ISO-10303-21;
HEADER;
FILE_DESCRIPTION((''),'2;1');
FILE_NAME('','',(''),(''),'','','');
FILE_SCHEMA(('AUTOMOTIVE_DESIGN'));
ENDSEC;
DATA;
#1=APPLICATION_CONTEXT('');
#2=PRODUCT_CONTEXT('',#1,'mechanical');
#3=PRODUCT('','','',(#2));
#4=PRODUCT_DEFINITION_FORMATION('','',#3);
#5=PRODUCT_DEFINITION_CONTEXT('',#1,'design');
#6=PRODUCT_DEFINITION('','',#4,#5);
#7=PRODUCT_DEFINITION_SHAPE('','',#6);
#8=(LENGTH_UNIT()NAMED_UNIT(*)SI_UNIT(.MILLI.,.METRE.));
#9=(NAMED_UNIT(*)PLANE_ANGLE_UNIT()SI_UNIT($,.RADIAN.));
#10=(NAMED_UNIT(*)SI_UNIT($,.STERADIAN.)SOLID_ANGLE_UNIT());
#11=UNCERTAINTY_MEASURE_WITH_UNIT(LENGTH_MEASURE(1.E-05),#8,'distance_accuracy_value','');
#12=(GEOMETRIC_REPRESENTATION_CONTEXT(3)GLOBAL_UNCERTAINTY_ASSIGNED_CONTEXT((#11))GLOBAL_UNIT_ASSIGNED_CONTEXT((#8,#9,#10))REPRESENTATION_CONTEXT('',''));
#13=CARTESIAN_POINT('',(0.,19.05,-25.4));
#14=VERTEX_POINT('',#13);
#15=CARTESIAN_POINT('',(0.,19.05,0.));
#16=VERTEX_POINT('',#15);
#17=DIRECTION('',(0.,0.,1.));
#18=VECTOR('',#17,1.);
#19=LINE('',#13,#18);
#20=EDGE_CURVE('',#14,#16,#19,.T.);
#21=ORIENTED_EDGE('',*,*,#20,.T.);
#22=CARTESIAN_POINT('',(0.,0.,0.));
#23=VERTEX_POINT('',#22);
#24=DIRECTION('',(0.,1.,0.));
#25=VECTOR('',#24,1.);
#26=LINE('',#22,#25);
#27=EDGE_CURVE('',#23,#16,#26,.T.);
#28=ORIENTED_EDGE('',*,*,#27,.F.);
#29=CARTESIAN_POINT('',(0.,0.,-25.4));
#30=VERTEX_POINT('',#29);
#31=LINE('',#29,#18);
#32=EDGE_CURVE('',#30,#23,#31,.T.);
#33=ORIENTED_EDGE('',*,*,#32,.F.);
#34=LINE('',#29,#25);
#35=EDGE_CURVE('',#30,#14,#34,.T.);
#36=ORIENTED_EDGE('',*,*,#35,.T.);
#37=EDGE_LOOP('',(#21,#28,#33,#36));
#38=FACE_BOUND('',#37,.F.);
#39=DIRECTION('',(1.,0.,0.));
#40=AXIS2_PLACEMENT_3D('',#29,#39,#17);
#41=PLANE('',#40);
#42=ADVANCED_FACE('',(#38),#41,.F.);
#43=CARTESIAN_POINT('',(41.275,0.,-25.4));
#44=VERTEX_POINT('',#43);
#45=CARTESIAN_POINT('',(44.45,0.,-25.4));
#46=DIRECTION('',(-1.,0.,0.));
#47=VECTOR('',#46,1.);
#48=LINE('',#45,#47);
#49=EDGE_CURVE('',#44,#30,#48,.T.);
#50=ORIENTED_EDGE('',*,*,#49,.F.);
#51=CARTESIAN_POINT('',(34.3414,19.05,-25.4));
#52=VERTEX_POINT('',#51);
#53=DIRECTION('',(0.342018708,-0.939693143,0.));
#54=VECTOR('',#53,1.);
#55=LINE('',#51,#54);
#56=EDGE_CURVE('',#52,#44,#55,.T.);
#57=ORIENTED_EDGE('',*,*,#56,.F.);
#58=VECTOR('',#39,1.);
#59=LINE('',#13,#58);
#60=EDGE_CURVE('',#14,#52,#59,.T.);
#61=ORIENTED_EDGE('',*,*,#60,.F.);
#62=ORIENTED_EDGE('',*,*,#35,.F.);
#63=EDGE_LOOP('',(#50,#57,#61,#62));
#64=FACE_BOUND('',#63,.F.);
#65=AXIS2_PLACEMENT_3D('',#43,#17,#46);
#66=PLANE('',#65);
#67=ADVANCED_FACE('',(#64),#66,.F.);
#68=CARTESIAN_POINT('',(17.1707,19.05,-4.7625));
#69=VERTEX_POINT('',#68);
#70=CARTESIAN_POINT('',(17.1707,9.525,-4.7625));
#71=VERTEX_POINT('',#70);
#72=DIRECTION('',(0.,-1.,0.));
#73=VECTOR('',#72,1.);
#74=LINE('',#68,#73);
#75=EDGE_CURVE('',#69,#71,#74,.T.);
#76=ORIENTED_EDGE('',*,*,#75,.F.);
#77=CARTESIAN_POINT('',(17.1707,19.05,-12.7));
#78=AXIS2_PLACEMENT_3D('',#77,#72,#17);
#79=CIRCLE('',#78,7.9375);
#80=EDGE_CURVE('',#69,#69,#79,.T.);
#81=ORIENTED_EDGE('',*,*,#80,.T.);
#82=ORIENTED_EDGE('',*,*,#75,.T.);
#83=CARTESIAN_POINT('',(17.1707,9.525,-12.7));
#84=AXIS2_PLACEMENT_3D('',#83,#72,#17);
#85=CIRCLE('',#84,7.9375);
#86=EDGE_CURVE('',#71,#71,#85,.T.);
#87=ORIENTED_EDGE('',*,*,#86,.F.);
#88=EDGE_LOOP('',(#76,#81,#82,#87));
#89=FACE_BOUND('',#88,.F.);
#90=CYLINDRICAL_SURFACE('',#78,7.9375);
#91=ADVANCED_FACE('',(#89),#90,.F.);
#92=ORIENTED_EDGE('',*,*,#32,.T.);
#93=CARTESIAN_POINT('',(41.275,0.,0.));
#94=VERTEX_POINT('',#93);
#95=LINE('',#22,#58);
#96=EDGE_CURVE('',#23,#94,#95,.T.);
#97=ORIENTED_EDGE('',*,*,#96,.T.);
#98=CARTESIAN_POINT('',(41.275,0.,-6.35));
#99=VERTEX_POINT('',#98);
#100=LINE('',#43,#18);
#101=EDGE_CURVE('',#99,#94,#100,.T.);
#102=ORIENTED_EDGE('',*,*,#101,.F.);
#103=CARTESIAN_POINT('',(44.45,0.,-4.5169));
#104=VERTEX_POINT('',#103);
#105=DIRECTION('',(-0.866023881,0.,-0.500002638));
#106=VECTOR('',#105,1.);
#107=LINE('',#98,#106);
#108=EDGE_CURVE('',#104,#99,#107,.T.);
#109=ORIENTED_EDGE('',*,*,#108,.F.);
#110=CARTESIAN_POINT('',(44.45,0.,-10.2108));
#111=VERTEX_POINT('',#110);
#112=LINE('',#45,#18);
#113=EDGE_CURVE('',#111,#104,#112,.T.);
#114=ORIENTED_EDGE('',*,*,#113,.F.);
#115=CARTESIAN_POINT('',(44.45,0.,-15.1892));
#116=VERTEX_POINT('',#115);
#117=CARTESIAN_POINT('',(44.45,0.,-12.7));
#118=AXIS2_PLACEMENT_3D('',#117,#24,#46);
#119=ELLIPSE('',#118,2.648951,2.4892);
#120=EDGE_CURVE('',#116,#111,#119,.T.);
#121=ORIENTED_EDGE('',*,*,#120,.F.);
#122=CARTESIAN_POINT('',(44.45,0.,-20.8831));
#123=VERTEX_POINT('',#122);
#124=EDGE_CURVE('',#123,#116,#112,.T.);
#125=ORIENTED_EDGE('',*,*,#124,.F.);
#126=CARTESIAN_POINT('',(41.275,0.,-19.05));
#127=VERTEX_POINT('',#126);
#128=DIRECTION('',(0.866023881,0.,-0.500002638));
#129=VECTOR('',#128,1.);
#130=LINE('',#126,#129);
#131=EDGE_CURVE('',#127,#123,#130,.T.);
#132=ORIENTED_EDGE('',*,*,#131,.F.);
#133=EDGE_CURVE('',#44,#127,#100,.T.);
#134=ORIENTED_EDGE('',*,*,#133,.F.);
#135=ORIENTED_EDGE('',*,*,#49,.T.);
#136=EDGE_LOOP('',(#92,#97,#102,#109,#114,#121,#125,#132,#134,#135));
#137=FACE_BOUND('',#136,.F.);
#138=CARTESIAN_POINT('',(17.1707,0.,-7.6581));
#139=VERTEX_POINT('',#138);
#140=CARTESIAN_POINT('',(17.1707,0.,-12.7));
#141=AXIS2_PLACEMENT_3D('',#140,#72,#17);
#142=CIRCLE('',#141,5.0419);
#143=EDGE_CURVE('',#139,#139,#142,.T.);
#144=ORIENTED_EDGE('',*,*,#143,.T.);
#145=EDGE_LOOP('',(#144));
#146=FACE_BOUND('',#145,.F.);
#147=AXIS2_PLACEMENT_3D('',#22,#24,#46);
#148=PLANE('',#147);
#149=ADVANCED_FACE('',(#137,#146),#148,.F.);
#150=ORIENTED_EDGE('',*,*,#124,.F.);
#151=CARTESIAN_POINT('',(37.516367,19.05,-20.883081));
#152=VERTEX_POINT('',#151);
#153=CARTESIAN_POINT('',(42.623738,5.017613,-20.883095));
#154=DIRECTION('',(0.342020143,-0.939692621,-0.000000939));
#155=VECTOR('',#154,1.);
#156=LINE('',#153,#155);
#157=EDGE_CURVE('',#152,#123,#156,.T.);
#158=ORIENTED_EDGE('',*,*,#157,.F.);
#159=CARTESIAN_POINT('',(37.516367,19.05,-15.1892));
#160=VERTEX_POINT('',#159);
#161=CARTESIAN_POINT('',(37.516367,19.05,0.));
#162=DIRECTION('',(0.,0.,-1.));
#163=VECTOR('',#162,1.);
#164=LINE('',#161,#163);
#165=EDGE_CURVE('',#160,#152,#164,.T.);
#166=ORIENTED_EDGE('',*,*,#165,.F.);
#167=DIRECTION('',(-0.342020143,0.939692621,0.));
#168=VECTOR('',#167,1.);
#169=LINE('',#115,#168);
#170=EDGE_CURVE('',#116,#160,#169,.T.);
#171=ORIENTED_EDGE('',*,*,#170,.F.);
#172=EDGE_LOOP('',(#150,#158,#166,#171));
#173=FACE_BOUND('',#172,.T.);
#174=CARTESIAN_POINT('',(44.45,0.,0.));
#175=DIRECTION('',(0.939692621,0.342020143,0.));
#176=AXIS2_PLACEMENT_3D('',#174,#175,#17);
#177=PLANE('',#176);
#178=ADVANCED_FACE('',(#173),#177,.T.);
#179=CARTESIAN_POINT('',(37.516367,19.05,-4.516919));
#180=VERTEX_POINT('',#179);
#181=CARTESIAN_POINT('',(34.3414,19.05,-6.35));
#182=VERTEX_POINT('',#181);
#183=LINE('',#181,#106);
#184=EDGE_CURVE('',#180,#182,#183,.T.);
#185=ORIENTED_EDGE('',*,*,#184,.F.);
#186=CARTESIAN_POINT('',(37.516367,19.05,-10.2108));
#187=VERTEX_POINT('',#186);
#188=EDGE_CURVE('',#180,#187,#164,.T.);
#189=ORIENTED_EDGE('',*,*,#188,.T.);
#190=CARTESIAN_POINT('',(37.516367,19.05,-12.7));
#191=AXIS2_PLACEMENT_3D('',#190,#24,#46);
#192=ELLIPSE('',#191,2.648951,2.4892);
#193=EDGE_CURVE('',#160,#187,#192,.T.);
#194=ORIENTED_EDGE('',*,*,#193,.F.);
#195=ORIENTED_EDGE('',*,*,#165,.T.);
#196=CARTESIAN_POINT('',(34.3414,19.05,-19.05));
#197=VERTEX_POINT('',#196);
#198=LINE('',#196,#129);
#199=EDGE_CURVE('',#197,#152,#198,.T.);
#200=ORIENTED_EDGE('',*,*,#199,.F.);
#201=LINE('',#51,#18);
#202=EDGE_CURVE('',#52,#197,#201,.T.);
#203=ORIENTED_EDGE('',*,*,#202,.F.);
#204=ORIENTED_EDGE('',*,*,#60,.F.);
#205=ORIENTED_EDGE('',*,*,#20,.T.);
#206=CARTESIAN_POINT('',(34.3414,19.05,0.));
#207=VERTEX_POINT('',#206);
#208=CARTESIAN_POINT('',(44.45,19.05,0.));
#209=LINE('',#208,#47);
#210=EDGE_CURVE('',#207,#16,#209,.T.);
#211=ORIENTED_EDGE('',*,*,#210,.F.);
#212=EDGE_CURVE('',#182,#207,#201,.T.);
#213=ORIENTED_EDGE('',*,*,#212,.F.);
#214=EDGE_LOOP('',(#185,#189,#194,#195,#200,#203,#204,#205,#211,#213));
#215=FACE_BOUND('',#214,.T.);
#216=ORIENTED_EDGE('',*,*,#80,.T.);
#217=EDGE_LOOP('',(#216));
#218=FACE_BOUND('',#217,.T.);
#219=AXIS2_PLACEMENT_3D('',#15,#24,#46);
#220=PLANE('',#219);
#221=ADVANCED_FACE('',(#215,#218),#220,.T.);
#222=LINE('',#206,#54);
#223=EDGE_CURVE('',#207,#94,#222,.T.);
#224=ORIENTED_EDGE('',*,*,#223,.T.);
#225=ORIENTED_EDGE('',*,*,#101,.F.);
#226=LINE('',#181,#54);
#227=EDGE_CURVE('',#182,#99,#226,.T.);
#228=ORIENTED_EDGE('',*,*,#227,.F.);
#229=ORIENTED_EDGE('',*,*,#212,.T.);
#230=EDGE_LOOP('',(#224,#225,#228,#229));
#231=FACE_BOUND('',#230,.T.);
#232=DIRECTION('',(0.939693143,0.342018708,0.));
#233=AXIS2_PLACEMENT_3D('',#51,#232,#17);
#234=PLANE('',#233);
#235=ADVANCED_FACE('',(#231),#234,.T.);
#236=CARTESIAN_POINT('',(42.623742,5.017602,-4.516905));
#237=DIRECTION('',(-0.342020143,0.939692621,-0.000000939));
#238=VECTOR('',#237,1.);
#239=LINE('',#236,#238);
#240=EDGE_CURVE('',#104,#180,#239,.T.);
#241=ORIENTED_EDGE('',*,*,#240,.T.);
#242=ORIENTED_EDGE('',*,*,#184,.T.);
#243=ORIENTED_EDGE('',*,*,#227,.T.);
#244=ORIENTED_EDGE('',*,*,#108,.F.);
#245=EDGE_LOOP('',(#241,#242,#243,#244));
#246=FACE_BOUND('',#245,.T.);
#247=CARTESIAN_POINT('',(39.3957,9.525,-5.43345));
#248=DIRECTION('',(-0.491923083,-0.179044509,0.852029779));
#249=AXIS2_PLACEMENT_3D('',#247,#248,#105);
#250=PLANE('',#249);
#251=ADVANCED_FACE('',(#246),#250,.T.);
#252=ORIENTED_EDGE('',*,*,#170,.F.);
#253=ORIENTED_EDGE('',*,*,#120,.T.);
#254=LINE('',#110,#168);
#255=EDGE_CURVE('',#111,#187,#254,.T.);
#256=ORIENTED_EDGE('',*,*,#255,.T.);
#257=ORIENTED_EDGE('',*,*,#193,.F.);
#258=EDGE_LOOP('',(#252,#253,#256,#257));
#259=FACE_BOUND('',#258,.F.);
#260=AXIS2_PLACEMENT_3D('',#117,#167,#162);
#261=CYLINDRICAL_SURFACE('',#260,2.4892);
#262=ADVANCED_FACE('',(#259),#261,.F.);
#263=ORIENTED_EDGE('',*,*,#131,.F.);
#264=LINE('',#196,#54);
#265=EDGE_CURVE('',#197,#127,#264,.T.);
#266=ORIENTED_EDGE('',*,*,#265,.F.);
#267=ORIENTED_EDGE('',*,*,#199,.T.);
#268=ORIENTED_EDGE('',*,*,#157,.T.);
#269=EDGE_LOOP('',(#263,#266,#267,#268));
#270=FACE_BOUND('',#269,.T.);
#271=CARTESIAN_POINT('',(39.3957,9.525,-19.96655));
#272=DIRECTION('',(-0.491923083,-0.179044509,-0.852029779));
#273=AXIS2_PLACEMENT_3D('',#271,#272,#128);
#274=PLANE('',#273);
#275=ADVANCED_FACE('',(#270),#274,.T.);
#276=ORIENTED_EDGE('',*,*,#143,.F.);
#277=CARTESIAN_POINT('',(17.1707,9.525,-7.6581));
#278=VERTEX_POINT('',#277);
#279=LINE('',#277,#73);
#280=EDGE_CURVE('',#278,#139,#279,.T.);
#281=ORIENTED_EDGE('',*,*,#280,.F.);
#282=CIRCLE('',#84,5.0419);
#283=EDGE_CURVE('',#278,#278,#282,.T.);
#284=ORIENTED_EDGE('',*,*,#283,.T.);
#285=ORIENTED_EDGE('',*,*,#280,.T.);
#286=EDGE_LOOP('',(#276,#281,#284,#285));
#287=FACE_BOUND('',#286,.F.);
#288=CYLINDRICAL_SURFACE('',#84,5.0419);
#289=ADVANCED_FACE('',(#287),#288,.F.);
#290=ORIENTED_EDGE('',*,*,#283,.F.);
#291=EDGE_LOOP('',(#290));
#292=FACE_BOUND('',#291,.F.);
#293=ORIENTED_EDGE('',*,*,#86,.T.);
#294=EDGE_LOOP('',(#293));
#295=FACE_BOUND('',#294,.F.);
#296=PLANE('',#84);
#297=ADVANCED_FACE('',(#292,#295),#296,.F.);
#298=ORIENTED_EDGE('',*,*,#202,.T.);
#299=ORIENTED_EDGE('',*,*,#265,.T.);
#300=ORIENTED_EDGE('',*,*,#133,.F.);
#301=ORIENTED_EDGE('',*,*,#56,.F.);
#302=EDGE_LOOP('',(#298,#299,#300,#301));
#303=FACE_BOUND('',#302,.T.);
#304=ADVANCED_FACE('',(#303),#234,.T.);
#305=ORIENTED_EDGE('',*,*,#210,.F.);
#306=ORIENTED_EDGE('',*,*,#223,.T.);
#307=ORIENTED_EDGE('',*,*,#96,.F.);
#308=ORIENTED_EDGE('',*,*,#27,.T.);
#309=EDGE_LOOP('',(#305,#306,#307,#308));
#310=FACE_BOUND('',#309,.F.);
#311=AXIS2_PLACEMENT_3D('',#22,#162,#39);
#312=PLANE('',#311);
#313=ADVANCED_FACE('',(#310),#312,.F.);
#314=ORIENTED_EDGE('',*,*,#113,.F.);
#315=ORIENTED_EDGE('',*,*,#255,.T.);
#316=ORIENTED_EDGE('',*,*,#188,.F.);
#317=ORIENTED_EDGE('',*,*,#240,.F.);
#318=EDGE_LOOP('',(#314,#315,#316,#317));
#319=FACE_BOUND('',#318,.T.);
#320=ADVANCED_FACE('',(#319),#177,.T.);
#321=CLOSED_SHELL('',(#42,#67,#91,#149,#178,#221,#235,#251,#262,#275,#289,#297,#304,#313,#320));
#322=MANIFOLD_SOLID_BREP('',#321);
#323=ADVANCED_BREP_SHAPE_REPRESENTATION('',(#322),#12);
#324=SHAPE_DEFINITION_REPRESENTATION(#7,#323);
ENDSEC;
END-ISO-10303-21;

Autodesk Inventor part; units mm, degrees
ref_plane "YZ Plane" through (0, 0, 0) normal (1, 0, 0) x (0, 1, 0)
ref_plane "XZ Plane" through (0, 0, 0) normal (0, 1, 0) x (-1, 0, 0)
sketch "Sketch1" plane through (0, 0, 0) normal (0, 1, 0) x (-1, 0, 0)
  line L0 (0, 0) -> (-44.45, 0)
  line L1 (-44.45, 0) -> (-44.45, -25.4)
  line L2 (-44.45, -25.4) -> (0, -25.4)
  line L3 (0, -25.4) -> (0, 0)
  line L4 (-41.275, -25.4) -> (-41.275, 0)
  line L5 (-41.275, -19.05) -> (-44.45, -20.8831)
  line L6 (0, -12.7) -> (-44.45, -12.7) construction
  line L7 (-41.275, -6.35) -> (-44.45, -4.5169)
  point P0 (-44.45, -4.5169)
  point P1 (-41.275, -6.35)
  dimension "d0" = 44.45
  dimension "d7" = 25.4
  dimension "d10" = 3.175
  dimension "d11" = 12.7
  dimension "d12" = 60
extrude "Extrusion1" add sketch "Sketch1" along normal blind 19.05
sketch "Sketch3" plane through (0, 0, 0) normal (0, 0, 1) x (1, 0, 0)
  line L0 (0, 0) -> (44.45, 0) projected
  line L1 (44.45, 0) -> (44.45, 19.05) projected
  line L2 (0, 19.05) -> (44.45, 19.05) projected
  line L3 (0, 0) -> (0, 19.05) projected
  line L4 (24.8164, 19.05) -> (31.75, 0)
  dimension "d14" = 70
  dimension "d15" = 31.75
sweep "Sweep1" cut profiles "Sketch1" path "Sketch3" path curves L4 contours L4 L7 L1 L0 | L2 L1 L5 L4
ref_plane "Work Plane3" through (44.45, 0, 0) normal (-0.342, 0.9397, 0) x (0, 0, -1)
ref_plane "Work Plane2" through (44.45, 0, 0) normal (-0.9397, -0.342, 0) x (0, 0, -1)
sketch "Sketch5" plane through (44.45, 0, 0) normal (-0.342, 0.9397, 0) x (0, 0, -1)
  point P0 (12.7, 0)
hole "Hole2" at (44.45, 0, -12.7) direction (-0.342, 0.9397, 0) diameter 4.9784 end through all
split "Split1" plane through (44.45, 0, 0) removes the side toward (0.9397, 0.342, 0)
sketch "Sketch4" plane through (0, 19.05, 0) normal (0, 1, 0) x (1, 0, 0)
  line L0 (0, 0) -> (34.3414, 0) construction
  line L1 (0, 25.4) -> (0, 0) construction
  point P0 (17.1707, 12.7)
  point P1 (0, 12.7)
  point P2 (17.1707, 0)
hole "Hole1" at (17.1707, 19.05, -12.7) direction (0, -1, 0) diameter 10.0838 end through all counterbore diameter 15.875 counterbore depth 9.525
equation "\"d14\" = slopeAngle"
equation "\"d18\" = slopeAngle"
equation "\"slopeAngle\" = 70deg"
properties material "Steel, Alloy"
